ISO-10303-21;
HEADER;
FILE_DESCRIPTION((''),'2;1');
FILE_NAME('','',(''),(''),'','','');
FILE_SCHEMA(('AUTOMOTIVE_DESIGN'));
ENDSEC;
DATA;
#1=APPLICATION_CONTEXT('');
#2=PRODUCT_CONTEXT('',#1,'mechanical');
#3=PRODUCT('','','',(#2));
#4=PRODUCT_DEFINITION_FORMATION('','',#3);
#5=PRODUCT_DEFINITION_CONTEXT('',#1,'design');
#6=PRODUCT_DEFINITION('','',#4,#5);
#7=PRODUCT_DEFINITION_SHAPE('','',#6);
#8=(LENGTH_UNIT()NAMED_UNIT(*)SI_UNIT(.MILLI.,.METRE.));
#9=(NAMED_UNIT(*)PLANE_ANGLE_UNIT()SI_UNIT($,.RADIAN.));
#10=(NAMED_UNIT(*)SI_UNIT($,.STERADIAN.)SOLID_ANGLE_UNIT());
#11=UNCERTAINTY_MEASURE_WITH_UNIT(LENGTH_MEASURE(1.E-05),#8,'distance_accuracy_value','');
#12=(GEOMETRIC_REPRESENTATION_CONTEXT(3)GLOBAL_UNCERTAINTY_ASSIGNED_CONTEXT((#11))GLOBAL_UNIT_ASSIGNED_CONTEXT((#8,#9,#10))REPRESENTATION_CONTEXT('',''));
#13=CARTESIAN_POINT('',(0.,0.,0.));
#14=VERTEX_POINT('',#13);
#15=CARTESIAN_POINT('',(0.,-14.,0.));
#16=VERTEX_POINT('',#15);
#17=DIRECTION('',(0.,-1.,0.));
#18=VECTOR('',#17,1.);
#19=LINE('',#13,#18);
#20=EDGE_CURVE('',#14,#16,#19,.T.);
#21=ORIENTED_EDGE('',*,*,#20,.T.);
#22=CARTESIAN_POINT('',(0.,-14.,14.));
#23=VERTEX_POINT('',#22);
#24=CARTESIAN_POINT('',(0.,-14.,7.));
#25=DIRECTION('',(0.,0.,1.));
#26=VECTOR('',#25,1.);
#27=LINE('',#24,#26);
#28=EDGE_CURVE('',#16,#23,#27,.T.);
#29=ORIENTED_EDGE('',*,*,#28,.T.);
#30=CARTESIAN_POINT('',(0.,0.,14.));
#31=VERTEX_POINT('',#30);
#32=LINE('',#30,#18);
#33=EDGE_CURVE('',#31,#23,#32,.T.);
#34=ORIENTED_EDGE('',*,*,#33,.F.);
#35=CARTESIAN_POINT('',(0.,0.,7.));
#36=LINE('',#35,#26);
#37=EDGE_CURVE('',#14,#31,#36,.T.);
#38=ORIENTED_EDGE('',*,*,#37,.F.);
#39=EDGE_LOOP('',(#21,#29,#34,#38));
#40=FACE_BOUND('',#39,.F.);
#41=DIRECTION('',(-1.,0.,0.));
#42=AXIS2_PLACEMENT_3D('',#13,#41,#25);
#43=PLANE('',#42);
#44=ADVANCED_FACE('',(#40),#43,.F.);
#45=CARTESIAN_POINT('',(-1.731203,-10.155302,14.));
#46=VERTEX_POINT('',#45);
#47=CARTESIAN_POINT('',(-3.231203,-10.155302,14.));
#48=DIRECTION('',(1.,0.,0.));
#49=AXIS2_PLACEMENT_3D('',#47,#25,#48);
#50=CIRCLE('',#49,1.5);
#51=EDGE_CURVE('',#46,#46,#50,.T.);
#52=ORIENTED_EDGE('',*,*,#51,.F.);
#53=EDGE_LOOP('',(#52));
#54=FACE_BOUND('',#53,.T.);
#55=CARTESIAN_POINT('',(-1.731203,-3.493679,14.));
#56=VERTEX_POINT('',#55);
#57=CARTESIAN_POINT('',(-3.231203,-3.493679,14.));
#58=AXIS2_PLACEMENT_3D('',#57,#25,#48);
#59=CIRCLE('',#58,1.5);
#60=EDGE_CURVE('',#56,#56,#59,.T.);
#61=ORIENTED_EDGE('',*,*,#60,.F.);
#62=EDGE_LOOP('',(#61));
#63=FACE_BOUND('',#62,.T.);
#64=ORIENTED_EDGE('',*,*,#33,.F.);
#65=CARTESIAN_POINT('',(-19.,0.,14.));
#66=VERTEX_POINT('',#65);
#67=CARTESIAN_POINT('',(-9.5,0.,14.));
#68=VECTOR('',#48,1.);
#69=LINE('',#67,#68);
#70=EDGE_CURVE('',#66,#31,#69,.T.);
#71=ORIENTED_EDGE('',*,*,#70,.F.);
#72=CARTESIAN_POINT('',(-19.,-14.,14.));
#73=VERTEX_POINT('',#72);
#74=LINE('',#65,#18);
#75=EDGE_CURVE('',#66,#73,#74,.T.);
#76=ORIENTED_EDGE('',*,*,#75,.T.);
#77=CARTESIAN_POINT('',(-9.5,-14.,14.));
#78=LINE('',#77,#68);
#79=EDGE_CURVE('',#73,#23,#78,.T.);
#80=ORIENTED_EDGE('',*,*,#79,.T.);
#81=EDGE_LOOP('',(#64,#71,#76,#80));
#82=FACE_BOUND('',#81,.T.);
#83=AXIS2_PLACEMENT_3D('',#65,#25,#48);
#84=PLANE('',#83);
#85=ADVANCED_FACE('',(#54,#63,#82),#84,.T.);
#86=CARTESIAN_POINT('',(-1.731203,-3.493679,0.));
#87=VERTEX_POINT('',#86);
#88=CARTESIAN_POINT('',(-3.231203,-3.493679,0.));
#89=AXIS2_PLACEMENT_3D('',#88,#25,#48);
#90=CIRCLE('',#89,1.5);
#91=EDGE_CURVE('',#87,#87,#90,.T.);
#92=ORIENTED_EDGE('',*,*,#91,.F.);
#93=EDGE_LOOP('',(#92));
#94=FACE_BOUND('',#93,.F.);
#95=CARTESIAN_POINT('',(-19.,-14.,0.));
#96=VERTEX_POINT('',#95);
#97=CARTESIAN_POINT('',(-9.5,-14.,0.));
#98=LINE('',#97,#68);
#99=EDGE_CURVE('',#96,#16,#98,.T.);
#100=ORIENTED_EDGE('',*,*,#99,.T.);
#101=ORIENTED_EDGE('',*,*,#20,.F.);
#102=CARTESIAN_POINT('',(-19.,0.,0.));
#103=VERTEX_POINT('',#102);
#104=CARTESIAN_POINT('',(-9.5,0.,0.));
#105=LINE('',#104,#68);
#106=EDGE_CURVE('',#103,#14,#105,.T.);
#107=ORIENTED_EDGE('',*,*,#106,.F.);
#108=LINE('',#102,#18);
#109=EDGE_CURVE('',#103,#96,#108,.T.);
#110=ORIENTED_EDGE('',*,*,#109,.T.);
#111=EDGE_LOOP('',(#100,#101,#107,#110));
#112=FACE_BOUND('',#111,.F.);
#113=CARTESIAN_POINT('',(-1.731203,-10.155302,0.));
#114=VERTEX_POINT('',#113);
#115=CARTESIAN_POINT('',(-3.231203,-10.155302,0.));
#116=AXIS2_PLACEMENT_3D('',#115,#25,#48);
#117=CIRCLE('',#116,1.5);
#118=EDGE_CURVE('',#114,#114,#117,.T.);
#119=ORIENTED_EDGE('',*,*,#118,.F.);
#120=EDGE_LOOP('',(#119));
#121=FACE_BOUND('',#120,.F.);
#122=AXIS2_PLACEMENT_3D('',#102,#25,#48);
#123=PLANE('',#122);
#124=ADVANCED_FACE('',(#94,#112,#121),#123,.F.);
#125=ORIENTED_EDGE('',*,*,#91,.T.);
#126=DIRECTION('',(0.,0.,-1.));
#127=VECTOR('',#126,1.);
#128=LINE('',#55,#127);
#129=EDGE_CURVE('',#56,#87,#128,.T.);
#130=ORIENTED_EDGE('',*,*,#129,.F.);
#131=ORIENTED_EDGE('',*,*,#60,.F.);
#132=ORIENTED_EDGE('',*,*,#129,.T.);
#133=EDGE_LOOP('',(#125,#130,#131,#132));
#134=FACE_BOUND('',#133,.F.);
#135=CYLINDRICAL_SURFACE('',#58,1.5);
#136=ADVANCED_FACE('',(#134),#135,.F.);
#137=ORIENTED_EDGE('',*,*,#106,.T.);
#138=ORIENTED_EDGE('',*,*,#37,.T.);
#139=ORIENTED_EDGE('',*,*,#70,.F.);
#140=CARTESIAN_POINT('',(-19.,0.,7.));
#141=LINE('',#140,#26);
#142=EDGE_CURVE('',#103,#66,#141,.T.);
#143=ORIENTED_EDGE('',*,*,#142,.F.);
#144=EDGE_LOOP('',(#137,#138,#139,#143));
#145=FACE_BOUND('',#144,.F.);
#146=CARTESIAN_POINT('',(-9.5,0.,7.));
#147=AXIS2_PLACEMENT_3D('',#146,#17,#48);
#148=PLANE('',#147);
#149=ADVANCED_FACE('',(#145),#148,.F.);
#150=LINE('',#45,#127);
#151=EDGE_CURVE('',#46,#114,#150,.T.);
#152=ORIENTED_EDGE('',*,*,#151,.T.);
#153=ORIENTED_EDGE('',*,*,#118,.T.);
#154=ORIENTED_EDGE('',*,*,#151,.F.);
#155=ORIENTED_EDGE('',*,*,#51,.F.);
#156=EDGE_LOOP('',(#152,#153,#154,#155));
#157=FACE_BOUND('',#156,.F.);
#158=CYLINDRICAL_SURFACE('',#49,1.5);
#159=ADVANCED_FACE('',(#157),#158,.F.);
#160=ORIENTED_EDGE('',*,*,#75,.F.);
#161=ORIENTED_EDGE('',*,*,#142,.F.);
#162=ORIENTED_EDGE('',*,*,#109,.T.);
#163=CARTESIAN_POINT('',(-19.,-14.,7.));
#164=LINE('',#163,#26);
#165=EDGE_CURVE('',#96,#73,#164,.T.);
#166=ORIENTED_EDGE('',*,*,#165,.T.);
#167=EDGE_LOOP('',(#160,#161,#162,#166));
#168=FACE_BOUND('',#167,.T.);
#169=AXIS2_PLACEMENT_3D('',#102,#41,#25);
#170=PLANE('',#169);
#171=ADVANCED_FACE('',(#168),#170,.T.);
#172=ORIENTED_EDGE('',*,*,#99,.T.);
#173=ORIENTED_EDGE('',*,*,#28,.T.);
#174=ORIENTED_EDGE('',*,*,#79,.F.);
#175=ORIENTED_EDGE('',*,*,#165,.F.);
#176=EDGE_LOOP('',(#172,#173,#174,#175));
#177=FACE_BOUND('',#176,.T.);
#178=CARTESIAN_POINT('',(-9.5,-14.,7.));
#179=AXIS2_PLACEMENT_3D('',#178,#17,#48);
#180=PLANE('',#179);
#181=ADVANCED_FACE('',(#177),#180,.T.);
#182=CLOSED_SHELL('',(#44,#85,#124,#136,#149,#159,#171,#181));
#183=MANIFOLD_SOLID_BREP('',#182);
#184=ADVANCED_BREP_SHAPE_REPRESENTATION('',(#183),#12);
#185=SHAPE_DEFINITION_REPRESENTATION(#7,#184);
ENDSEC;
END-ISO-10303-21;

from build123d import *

# Parameters (mm, degrees)
F0_W     = 19
F0_H     = 14
F1_DEPTH = 14
F2_R     = 1.5
F3_DEPTH = 14


with BuildPart() as f1:
    # F0 (on Front) → F1 (new body)
    with BuildSketch(Plane.XZ):
        with Locations((-9.5, 7)):
            Rectangle(F0_W, F0_H)
    extrude(amount=F1_DEPTH)

    # F2 (on face) → F3 (cut)
    with BuildSketch(Plane.XY.offset(14)):
        with Locations((-3.231203, -3.493679)):
            Circle(F2_R)
        with Locations((-3.231203, -10.155302)):
            Circle(F2_R)
    extrude(amount=-F3_DEPTH, mode=Mode.SUBTRACT)


solid = f1.part
